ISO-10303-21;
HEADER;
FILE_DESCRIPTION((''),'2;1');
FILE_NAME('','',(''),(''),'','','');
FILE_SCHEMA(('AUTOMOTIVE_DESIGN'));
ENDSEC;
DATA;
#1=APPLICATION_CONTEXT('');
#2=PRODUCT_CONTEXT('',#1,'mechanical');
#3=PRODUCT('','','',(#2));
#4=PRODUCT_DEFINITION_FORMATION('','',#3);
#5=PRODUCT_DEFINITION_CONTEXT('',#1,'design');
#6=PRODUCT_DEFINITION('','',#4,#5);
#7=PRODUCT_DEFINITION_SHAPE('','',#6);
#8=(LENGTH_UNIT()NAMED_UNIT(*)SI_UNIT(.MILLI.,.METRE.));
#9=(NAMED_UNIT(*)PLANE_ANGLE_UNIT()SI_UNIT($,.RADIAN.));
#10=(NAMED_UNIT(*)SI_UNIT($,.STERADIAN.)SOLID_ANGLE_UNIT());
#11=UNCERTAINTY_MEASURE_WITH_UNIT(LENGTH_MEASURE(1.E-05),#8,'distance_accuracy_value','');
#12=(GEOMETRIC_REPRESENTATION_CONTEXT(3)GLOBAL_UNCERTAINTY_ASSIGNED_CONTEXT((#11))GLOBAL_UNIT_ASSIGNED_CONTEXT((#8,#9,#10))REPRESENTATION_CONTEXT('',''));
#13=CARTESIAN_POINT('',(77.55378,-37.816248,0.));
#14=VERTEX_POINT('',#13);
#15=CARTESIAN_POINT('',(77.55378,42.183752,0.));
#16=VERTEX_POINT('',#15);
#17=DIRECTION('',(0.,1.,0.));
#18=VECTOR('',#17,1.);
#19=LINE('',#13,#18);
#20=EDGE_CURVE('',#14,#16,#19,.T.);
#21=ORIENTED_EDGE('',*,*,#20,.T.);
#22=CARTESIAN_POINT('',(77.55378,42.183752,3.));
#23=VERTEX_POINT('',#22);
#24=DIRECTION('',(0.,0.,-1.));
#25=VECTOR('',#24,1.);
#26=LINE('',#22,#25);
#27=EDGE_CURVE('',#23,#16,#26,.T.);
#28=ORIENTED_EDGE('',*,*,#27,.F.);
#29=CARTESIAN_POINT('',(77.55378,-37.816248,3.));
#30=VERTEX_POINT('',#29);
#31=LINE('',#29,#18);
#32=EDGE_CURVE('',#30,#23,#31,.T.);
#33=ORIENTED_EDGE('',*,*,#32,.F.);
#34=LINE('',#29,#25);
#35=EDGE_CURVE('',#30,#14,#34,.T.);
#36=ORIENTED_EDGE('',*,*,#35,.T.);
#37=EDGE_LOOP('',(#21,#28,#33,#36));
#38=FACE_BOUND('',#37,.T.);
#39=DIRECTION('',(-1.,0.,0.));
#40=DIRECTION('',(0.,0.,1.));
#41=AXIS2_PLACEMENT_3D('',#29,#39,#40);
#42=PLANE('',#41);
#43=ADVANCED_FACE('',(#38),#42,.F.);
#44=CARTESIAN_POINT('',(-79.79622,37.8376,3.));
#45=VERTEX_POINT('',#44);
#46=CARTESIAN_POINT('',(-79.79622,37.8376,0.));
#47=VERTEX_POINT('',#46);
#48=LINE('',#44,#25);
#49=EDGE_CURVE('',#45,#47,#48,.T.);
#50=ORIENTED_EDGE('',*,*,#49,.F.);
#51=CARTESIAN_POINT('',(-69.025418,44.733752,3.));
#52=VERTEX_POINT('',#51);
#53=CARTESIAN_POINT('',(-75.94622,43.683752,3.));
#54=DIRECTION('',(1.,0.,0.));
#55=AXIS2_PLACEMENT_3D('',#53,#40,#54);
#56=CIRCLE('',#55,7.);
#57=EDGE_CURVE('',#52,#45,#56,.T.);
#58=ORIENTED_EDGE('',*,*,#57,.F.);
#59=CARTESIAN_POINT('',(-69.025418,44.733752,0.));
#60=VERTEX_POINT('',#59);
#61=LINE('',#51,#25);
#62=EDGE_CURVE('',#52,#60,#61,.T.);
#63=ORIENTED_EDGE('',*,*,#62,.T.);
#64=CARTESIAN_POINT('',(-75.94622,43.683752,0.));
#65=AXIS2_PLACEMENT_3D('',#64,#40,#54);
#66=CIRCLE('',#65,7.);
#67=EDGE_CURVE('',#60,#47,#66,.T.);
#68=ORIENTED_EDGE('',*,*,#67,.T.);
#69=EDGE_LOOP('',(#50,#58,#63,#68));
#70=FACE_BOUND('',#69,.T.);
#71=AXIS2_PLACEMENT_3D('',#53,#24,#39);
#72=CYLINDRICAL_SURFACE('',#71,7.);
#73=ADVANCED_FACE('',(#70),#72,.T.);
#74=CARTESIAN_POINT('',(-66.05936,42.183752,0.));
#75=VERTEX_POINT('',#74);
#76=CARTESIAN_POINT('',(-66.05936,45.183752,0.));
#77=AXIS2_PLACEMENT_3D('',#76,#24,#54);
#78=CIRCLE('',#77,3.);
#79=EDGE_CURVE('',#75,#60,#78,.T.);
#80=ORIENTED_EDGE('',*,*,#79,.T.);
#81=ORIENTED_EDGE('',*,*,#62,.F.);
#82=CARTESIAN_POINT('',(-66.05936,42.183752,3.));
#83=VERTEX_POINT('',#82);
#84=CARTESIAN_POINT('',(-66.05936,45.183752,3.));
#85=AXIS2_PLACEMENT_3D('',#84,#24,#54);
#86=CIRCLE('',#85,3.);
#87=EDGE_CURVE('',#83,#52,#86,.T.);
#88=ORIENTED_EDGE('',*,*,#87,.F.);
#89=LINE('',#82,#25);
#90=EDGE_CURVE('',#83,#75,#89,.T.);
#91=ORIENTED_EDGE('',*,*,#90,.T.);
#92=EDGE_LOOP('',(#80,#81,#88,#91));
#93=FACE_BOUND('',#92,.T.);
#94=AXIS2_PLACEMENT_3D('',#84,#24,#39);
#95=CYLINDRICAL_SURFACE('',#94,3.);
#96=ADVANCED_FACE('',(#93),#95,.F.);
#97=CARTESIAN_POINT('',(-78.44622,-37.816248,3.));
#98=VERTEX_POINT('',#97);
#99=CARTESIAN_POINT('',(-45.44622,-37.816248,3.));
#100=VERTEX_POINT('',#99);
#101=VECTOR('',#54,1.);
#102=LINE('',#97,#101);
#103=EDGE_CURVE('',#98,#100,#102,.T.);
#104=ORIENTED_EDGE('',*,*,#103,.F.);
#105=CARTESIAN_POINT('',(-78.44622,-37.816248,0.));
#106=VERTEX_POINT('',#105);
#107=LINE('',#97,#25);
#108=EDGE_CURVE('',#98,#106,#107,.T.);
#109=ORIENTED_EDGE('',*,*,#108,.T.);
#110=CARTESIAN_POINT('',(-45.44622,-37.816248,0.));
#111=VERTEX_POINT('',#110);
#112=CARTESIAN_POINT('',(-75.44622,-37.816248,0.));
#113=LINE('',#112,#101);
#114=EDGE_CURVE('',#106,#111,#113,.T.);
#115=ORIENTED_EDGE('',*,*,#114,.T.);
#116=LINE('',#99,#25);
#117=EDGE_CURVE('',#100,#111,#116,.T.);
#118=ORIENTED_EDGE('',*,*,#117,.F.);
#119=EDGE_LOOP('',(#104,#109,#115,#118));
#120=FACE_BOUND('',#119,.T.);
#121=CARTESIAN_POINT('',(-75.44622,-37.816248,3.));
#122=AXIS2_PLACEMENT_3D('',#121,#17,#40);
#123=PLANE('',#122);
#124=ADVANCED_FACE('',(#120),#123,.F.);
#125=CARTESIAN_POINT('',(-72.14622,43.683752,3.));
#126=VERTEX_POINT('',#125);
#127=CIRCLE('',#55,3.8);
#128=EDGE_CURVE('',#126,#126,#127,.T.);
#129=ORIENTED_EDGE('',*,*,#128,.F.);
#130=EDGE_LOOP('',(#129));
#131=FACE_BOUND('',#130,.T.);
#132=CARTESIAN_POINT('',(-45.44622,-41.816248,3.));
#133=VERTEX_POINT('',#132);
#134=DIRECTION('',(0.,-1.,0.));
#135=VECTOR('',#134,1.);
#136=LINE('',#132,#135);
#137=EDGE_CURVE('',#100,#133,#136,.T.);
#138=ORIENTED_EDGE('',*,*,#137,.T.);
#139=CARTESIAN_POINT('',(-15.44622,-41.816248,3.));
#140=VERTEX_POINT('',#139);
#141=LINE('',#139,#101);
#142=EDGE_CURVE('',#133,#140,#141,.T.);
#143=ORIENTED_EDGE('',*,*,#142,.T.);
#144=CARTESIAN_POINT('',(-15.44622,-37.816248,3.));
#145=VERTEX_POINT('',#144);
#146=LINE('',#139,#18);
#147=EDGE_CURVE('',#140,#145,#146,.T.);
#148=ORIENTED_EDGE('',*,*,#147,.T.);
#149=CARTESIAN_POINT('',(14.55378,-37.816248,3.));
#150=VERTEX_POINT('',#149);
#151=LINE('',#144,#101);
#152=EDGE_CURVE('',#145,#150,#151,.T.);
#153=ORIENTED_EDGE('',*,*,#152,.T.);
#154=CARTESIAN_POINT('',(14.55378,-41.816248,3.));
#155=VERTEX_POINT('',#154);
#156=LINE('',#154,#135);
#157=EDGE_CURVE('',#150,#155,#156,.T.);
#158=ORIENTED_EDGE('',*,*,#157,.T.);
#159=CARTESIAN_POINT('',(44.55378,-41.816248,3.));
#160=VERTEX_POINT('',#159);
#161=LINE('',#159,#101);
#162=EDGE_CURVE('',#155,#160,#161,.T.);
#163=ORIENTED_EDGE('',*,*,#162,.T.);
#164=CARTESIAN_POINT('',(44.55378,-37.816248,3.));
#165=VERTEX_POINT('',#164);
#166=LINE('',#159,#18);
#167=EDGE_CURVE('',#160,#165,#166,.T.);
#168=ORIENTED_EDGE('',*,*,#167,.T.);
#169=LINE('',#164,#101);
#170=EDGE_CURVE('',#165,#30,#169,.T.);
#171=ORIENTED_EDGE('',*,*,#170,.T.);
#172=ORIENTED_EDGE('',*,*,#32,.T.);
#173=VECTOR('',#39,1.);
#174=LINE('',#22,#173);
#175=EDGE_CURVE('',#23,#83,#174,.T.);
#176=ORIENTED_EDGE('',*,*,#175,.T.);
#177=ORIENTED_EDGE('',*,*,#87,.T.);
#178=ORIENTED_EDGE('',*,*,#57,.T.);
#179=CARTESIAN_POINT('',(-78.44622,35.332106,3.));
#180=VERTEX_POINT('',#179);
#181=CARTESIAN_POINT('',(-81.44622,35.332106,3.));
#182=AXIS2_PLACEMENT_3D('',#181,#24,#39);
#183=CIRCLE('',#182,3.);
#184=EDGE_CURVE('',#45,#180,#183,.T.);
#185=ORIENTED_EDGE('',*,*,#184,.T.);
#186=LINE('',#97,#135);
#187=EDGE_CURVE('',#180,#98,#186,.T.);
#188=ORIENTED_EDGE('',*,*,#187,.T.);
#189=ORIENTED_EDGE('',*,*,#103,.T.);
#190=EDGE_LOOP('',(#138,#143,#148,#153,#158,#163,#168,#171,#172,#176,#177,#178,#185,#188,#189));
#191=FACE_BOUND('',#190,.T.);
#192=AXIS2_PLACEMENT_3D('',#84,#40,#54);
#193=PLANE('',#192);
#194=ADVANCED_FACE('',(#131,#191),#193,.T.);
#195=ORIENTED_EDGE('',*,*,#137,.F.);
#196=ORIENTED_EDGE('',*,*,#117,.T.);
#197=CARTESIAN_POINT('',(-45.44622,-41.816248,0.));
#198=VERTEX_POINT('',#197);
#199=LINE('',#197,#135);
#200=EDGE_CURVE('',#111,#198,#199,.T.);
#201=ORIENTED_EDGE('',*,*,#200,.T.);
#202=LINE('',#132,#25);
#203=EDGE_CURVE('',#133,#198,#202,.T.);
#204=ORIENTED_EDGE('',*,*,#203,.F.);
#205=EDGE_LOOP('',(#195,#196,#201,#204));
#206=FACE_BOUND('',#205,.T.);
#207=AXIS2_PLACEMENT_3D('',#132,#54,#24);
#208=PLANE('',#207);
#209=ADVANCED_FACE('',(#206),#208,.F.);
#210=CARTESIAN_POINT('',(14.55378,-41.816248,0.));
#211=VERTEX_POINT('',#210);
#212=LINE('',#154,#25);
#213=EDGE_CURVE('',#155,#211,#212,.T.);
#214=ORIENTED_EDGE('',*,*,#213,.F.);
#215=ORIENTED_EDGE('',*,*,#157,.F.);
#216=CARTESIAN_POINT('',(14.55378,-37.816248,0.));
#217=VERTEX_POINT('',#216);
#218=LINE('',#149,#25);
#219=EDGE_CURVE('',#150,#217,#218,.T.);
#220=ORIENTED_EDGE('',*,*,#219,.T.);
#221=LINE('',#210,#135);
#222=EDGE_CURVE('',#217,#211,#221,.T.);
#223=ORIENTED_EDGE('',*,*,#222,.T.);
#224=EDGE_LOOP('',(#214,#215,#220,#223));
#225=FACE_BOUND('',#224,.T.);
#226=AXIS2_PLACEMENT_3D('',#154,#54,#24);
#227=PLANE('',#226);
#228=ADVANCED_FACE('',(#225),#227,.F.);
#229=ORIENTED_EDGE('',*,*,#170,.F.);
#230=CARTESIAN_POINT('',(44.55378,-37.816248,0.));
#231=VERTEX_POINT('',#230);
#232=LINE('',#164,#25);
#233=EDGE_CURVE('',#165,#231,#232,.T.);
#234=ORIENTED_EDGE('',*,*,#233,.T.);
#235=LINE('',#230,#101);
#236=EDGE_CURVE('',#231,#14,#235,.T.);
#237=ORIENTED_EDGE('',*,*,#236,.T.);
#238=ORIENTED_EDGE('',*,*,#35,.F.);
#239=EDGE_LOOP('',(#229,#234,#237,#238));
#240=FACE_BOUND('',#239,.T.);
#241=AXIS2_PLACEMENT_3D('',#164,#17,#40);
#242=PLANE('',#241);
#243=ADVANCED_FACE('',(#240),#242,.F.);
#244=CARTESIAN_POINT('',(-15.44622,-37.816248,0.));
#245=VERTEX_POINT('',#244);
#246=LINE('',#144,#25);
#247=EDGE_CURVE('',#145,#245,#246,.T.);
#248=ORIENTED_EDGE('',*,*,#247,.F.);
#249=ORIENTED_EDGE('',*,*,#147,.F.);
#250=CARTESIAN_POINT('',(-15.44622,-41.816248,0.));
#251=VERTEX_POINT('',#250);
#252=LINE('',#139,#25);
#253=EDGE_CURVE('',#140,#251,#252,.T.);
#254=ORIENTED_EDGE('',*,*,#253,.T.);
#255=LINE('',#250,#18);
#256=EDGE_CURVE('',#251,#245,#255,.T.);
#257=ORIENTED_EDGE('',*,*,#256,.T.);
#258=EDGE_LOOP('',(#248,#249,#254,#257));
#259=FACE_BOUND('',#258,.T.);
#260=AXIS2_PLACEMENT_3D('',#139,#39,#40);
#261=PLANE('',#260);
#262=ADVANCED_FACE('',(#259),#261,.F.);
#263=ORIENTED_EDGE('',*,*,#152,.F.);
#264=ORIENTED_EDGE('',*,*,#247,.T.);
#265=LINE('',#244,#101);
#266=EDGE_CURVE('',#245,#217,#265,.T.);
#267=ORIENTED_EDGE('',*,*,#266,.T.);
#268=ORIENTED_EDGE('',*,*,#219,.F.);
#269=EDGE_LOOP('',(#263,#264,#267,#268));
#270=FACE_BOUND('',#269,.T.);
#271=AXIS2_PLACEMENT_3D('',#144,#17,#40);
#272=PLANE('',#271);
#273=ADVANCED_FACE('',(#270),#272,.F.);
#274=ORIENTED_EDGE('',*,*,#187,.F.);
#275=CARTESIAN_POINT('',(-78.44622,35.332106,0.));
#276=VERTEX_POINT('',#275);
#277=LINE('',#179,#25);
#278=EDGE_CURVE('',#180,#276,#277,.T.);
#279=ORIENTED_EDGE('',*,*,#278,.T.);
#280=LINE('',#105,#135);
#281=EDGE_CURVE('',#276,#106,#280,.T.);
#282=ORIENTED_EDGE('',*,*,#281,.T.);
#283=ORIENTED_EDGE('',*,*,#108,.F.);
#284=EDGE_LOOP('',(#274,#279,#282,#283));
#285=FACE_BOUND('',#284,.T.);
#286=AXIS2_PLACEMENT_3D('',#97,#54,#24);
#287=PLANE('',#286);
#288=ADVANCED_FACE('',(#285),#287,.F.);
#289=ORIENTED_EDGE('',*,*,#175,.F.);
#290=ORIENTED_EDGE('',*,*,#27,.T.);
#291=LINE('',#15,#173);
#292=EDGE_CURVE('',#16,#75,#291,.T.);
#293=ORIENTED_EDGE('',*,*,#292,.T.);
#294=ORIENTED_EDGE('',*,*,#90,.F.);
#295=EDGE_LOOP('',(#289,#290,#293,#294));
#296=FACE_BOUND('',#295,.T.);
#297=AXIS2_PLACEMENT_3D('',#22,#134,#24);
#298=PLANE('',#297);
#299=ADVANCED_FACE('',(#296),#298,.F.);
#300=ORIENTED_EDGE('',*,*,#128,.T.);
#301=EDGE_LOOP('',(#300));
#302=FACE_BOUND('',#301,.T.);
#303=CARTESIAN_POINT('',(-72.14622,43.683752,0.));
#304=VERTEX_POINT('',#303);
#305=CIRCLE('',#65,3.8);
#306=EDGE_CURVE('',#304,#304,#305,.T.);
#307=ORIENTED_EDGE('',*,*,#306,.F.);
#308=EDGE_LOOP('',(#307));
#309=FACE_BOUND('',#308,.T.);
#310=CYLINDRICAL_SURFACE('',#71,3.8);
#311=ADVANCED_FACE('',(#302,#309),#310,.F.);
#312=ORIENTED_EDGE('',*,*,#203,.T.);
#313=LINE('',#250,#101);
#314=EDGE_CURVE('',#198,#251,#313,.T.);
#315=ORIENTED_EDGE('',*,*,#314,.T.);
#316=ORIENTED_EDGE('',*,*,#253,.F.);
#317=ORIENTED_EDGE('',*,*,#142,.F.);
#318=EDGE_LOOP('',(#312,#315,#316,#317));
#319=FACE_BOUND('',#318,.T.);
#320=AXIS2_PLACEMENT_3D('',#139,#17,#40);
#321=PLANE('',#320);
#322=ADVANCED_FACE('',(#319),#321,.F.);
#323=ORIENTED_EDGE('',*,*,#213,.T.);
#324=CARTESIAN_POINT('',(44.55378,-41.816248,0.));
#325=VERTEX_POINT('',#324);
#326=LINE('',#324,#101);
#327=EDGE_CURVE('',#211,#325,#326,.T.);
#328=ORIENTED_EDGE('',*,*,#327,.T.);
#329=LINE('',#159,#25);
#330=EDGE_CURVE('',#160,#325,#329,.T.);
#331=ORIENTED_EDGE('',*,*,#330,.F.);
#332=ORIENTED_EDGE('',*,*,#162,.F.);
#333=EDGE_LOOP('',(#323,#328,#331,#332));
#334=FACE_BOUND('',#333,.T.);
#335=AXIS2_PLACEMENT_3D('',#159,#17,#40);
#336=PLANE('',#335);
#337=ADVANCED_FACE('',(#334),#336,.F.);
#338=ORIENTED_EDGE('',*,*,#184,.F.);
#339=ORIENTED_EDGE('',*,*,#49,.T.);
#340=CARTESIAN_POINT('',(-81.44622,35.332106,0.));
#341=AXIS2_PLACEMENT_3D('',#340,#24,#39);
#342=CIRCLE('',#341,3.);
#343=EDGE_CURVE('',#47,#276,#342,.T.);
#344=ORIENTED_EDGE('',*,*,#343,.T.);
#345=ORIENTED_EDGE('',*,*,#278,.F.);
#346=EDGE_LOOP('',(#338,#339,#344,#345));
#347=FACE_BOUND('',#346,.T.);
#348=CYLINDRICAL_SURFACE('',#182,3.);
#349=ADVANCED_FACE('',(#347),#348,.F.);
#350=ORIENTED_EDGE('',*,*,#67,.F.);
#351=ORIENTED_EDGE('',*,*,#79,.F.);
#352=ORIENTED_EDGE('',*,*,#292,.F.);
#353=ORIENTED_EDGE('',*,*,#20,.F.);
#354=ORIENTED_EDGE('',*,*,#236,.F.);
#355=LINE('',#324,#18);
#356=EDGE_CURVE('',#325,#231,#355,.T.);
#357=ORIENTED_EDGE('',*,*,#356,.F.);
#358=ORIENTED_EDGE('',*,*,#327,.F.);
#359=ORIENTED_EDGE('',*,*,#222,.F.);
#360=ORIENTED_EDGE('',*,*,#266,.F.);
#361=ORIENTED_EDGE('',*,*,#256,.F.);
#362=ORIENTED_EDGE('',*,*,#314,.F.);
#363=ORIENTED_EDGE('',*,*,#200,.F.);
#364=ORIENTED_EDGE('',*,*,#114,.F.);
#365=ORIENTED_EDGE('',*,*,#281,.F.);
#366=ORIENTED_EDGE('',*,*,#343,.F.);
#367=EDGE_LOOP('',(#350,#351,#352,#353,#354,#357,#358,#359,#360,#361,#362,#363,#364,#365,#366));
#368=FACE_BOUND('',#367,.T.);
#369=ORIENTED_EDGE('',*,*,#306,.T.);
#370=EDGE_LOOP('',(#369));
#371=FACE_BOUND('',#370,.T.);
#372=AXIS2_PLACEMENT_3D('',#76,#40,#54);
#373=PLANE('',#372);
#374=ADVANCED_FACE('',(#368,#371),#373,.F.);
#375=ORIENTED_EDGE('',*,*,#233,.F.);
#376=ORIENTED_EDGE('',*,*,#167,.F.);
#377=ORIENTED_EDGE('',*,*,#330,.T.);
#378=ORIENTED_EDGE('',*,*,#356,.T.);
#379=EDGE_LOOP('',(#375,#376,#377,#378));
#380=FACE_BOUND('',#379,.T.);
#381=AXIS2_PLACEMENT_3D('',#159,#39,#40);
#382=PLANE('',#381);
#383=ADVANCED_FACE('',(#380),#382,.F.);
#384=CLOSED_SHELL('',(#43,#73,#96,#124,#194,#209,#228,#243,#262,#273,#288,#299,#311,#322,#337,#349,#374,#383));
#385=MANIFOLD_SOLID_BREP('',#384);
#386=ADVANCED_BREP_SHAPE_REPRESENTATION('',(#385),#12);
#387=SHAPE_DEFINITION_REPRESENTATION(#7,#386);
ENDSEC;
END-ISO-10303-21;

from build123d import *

# Parameters (mm, degrees)
SKETCH1_R           = 3.8
BOSS_EXTRUDE1_DEPTH = 3


with BuildPart() as part:
    # Sketch1 → Boss-Extrude1 (new body)
    with BuildSketch(Plane.XY):
        with BuildLine():
            Line((-45.446220454, -41.816247618), (-45.446220454, -37.816247618))
            Line((-45.446220454, -37.816247618), (-75.446220454, -37.816247618))
            Line((-75.446220454, -37.816247618), (-78.446220454, -37.816247618))
            Line((-78.446220454, -37.816247618), (-78.446220454, 35.332105838))
            ThreePointArc((-78.446220454, 35.332105838), (-78.805197925, 36.755130785), (-79.796220454, 37.837599801))
            ThreePointArc((-79.796220454, 37.837599801), (-79.720698736, 49.578946501), (-69.025418478, 44.733752382))
            ThreePointArc((-69.025418478, 44.733752382), (-68.015121209, 42.908889749), (-66.059360488, 42.183752382))
            Line((-66.059360488, 42.183752382), (77.553779546, 42.183752382))
            Line((77.553779546, 42.183752382), (77.553779546, -37.816247618))
            Line((77.553779546, -37.816247618), (44.553779546, -37.816247618))
            Line((44.553779546, -37.816247618), (44.553779546, -41.816247618))
            Line((44.553779546, -41.816247618), (14.553779546, -41.816247618))
            Line((14.553779546, -41.816247618), (14.553779546, -37.816247618))
            Line((14.553779546, -37.816247618), (-15.446220454, -37.816247618))
            Line((-15.446220454, -37.816247618), (-15.446220454, -41.816247618))
            Line((-15.446220454, -41.816247618), (-45.446220454, -41.816247618))
        make_face()
        with Locations((-75.946220454, 43.683752382)):
            Circle(SKETCH1_R, mode=Mode.SUBTRACT)
    extrude(amount=BOSS_EXTRUDE1_DEPTH)


solid = part.part
